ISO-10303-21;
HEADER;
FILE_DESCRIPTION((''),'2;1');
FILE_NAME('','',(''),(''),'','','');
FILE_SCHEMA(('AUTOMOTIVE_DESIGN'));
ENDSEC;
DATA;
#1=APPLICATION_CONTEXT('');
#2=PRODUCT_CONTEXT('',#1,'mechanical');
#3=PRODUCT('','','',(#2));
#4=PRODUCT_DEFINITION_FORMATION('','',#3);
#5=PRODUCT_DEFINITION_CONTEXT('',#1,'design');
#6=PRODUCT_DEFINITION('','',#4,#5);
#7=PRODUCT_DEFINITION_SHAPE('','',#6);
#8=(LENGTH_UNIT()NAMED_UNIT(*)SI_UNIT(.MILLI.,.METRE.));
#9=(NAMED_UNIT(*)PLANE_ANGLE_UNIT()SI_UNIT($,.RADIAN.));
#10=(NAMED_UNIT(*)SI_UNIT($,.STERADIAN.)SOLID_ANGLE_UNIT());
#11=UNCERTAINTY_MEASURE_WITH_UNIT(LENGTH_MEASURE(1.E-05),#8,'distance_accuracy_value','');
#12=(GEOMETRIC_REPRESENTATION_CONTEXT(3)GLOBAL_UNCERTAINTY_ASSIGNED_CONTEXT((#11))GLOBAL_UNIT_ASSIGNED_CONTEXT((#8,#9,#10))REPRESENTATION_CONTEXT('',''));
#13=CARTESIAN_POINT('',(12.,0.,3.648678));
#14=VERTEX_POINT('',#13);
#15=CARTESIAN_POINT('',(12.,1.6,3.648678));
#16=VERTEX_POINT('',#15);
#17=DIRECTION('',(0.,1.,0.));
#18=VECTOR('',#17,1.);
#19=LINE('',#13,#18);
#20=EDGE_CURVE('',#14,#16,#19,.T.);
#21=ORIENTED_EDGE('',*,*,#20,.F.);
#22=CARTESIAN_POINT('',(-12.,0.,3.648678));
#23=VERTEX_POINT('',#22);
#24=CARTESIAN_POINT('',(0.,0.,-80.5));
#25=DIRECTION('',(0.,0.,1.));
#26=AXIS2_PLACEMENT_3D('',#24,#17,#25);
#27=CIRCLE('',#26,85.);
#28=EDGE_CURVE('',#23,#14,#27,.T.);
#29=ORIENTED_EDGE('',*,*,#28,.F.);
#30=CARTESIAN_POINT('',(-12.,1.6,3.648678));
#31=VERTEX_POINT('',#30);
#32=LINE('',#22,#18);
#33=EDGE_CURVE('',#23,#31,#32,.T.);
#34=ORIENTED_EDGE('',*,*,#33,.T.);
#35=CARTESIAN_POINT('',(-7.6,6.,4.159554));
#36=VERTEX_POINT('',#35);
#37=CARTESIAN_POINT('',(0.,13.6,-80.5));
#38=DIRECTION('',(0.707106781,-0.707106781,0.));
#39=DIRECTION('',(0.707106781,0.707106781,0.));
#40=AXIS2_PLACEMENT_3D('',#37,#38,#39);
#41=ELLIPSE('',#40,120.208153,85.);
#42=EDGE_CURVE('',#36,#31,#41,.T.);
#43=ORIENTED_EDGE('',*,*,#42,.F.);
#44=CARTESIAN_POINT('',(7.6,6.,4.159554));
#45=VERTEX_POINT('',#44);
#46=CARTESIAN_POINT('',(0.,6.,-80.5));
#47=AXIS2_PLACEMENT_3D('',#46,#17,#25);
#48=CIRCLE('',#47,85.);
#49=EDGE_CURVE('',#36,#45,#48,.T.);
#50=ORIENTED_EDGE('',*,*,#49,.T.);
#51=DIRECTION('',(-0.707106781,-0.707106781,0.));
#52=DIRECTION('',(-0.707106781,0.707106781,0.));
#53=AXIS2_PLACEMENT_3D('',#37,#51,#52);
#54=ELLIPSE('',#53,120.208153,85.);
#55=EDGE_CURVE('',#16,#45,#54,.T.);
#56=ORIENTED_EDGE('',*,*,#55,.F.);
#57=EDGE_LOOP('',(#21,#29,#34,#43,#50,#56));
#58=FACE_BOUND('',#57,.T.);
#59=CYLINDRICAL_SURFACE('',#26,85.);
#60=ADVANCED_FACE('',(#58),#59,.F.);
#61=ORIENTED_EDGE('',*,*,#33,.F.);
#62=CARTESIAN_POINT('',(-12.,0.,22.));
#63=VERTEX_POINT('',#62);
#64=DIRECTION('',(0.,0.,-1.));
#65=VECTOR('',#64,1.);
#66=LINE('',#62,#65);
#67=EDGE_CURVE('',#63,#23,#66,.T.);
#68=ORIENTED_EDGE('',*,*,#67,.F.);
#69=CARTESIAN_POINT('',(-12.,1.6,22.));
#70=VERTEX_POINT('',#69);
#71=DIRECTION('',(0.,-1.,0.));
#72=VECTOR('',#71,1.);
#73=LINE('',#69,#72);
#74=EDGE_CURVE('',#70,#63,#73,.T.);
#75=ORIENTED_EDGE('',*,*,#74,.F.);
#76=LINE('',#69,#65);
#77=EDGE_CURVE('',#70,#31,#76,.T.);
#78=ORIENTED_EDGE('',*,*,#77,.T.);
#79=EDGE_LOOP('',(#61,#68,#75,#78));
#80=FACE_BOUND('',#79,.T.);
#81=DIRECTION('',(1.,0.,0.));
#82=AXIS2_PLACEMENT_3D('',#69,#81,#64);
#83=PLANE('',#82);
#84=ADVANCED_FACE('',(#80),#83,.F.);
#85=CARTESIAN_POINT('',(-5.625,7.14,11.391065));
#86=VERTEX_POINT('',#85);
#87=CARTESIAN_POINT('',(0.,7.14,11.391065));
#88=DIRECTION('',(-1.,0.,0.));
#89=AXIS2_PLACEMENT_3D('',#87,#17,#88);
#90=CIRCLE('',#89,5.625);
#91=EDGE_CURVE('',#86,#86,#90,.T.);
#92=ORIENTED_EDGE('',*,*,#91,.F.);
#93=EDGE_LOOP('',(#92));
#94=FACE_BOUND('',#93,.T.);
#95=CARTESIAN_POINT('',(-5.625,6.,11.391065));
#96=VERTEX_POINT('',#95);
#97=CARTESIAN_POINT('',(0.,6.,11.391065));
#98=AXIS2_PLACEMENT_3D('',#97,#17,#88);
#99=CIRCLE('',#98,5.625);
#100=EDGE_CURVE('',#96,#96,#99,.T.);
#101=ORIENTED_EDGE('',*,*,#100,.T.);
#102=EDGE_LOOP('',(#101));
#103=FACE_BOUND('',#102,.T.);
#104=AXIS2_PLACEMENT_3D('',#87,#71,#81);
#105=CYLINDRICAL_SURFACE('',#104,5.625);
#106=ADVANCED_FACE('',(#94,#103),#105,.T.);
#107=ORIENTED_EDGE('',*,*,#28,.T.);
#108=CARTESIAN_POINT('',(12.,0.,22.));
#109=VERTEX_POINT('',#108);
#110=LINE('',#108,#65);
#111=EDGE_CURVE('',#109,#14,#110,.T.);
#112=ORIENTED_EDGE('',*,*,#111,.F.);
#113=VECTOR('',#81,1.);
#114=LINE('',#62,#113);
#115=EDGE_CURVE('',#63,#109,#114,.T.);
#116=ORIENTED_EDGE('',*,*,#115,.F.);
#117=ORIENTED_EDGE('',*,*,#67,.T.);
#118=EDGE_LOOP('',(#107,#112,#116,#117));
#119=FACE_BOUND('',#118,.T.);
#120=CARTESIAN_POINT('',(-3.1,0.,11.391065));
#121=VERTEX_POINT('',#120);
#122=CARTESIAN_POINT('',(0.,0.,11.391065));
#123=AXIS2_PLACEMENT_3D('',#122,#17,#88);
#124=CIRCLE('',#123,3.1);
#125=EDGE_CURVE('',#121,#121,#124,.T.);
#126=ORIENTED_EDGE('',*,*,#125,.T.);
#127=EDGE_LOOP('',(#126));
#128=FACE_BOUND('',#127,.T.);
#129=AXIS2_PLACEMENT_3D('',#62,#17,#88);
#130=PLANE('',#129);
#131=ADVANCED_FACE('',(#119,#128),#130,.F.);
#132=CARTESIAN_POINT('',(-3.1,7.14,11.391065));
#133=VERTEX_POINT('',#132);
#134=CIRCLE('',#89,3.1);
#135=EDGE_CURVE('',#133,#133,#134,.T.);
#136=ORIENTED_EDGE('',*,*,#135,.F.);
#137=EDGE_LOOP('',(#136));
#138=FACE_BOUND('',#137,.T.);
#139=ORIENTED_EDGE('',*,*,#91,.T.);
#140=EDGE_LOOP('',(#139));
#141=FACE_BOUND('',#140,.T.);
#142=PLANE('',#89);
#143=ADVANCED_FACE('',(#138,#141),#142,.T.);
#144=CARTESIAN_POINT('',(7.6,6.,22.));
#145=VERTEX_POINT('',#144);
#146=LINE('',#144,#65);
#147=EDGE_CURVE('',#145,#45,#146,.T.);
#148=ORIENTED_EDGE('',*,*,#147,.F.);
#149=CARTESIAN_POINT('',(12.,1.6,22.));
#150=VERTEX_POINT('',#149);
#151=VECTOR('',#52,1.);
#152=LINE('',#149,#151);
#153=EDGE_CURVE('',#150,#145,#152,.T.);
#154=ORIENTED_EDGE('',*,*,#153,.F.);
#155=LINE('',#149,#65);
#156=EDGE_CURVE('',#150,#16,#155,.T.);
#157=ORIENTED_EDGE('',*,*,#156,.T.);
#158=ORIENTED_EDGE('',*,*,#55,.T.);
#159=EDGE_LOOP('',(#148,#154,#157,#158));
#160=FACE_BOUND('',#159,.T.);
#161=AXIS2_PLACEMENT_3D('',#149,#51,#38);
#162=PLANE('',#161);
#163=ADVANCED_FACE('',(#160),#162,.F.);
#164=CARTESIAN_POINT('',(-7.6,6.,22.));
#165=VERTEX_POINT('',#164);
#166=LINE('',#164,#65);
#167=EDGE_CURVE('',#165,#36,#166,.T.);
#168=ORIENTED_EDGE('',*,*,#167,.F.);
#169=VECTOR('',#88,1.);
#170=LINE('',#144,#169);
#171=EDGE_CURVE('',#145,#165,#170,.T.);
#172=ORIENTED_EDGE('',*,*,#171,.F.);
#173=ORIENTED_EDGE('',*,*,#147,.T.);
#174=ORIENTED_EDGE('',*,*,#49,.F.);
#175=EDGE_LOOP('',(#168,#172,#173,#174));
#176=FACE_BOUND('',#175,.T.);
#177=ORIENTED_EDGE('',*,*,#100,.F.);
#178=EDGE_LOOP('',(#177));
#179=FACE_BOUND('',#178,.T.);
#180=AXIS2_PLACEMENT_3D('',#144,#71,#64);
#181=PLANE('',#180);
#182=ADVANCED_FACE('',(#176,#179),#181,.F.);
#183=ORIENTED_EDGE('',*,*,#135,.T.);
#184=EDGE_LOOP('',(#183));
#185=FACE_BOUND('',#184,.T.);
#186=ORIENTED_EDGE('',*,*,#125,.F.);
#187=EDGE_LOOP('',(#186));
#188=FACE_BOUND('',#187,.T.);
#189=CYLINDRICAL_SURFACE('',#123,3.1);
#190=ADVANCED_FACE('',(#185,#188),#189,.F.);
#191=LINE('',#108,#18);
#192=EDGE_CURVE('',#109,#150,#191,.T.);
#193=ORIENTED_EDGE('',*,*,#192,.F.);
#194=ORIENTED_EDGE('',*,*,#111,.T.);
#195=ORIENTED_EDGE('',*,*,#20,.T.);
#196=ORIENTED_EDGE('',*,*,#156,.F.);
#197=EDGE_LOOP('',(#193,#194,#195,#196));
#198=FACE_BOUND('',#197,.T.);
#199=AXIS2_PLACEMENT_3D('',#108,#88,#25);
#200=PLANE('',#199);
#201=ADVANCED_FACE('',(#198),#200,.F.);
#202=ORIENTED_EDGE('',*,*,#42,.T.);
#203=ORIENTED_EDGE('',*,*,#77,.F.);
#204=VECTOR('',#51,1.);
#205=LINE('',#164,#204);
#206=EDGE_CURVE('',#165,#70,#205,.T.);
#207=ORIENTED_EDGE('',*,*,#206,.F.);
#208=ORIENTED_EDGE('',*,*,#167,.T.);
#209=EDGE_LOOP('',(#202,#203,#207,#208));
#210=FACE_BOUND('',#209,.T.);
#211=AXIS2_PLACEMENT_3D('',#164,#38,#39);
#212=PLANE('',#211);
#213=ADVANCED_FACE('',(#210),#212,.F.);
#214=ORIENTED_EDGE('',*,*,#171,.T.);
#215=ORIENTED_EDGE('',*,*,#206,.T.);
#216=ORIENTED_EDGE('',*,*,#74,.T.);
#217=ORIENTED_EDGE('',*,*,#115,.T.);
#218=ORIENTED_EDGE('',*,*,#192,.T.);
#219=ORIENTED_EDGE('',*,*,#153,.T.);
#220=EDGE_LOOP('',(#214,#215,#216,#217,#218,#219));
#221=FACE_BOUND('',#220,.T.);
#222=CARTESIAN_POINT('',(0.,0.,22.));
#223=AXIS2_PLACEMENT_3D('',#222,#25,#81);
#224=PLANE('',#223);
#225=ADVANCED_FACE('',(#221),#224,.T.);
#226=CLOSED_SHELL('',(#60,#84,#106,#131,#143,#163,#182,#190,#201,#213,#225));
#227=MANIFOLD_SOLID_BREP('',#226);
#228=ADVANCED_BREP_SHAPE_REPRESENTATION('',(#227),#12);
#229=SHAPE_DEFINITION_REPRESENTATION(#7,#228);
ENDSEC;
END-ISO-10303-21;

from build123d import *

# Parameters (mm, degrees)
BOSS_EXTRUDE1_DEPTH = 22
SKETCH2_R           = 5.625
BOSS_EXTRUDE2_DEPTH = 1.14
SKETCH3_R           = 3.1
CUT_EXTRUDE3_DEPTH  = 27.057236999
CUT_EXTRUDE4_DEPTH  = 26.768197453


with BuildPart() as part:
    # Sketch1 → Boss-Extrude1 (new body)
    with BuildSketch(Plane.XY):
        Polygon((-12, 0), (12, 0), (12, 1.6), (7.6, 6), (-7.6, 6), (-12, 1.6), align=None)
    extrude(amount=BOSS_EXTRUDE1_DEPTH)

    # Sketch2 → Boss-Extrude2 (add)
    with BuildSketch(Plane(origin=(0, 6, 0), x_dir=(1, 0, 0), z_dir=(0, 1, 0))):
        with Locations(Location((0, -11.391064781, 0), (0, 0, 180))):
            Circle(SKETCH2_R)
    extrude(amount=BOSS_EXTRUDE2_DEPTH)

    # Sketch3 → Cut-Extrude3 (cut, through all)
    with BuildSketch(Plane(origin=(0, 7.14, 0), x_dir=(1, 0, 0), z_dir=(0, 1, 0))):
        with Locations(Location((0, -11.391064781, 0), (0, 0, 180))):
            Circle(SKETCH3_R)
    extrude(amount=-CUT_EXTRUDE3_DEPTH, mode=Mode.SUBTRACT)

    # Sketch4 → Cut-Extrude4 (cut, through all)
    with BuildSketch(Plane(origin=(0, 6, 0), x_dir=(1, 0, 0), z_dir=(0, 1, 0))):
        with BuildLine():
            Line((-12, -3.648677946), (-12, 0))
            Line((-12, 0), (12, 0))
            Line((12, 0), (12, -3.648677946))
            ThreePointArc((12, -3.648677946), (0, -4.5), (-12, -3.648677946))
        make_face()
    extrude(amount=-CUT_EXTRUDE4_DEPTH, mode=Mode.SUBTRACT)


solid = part.part
